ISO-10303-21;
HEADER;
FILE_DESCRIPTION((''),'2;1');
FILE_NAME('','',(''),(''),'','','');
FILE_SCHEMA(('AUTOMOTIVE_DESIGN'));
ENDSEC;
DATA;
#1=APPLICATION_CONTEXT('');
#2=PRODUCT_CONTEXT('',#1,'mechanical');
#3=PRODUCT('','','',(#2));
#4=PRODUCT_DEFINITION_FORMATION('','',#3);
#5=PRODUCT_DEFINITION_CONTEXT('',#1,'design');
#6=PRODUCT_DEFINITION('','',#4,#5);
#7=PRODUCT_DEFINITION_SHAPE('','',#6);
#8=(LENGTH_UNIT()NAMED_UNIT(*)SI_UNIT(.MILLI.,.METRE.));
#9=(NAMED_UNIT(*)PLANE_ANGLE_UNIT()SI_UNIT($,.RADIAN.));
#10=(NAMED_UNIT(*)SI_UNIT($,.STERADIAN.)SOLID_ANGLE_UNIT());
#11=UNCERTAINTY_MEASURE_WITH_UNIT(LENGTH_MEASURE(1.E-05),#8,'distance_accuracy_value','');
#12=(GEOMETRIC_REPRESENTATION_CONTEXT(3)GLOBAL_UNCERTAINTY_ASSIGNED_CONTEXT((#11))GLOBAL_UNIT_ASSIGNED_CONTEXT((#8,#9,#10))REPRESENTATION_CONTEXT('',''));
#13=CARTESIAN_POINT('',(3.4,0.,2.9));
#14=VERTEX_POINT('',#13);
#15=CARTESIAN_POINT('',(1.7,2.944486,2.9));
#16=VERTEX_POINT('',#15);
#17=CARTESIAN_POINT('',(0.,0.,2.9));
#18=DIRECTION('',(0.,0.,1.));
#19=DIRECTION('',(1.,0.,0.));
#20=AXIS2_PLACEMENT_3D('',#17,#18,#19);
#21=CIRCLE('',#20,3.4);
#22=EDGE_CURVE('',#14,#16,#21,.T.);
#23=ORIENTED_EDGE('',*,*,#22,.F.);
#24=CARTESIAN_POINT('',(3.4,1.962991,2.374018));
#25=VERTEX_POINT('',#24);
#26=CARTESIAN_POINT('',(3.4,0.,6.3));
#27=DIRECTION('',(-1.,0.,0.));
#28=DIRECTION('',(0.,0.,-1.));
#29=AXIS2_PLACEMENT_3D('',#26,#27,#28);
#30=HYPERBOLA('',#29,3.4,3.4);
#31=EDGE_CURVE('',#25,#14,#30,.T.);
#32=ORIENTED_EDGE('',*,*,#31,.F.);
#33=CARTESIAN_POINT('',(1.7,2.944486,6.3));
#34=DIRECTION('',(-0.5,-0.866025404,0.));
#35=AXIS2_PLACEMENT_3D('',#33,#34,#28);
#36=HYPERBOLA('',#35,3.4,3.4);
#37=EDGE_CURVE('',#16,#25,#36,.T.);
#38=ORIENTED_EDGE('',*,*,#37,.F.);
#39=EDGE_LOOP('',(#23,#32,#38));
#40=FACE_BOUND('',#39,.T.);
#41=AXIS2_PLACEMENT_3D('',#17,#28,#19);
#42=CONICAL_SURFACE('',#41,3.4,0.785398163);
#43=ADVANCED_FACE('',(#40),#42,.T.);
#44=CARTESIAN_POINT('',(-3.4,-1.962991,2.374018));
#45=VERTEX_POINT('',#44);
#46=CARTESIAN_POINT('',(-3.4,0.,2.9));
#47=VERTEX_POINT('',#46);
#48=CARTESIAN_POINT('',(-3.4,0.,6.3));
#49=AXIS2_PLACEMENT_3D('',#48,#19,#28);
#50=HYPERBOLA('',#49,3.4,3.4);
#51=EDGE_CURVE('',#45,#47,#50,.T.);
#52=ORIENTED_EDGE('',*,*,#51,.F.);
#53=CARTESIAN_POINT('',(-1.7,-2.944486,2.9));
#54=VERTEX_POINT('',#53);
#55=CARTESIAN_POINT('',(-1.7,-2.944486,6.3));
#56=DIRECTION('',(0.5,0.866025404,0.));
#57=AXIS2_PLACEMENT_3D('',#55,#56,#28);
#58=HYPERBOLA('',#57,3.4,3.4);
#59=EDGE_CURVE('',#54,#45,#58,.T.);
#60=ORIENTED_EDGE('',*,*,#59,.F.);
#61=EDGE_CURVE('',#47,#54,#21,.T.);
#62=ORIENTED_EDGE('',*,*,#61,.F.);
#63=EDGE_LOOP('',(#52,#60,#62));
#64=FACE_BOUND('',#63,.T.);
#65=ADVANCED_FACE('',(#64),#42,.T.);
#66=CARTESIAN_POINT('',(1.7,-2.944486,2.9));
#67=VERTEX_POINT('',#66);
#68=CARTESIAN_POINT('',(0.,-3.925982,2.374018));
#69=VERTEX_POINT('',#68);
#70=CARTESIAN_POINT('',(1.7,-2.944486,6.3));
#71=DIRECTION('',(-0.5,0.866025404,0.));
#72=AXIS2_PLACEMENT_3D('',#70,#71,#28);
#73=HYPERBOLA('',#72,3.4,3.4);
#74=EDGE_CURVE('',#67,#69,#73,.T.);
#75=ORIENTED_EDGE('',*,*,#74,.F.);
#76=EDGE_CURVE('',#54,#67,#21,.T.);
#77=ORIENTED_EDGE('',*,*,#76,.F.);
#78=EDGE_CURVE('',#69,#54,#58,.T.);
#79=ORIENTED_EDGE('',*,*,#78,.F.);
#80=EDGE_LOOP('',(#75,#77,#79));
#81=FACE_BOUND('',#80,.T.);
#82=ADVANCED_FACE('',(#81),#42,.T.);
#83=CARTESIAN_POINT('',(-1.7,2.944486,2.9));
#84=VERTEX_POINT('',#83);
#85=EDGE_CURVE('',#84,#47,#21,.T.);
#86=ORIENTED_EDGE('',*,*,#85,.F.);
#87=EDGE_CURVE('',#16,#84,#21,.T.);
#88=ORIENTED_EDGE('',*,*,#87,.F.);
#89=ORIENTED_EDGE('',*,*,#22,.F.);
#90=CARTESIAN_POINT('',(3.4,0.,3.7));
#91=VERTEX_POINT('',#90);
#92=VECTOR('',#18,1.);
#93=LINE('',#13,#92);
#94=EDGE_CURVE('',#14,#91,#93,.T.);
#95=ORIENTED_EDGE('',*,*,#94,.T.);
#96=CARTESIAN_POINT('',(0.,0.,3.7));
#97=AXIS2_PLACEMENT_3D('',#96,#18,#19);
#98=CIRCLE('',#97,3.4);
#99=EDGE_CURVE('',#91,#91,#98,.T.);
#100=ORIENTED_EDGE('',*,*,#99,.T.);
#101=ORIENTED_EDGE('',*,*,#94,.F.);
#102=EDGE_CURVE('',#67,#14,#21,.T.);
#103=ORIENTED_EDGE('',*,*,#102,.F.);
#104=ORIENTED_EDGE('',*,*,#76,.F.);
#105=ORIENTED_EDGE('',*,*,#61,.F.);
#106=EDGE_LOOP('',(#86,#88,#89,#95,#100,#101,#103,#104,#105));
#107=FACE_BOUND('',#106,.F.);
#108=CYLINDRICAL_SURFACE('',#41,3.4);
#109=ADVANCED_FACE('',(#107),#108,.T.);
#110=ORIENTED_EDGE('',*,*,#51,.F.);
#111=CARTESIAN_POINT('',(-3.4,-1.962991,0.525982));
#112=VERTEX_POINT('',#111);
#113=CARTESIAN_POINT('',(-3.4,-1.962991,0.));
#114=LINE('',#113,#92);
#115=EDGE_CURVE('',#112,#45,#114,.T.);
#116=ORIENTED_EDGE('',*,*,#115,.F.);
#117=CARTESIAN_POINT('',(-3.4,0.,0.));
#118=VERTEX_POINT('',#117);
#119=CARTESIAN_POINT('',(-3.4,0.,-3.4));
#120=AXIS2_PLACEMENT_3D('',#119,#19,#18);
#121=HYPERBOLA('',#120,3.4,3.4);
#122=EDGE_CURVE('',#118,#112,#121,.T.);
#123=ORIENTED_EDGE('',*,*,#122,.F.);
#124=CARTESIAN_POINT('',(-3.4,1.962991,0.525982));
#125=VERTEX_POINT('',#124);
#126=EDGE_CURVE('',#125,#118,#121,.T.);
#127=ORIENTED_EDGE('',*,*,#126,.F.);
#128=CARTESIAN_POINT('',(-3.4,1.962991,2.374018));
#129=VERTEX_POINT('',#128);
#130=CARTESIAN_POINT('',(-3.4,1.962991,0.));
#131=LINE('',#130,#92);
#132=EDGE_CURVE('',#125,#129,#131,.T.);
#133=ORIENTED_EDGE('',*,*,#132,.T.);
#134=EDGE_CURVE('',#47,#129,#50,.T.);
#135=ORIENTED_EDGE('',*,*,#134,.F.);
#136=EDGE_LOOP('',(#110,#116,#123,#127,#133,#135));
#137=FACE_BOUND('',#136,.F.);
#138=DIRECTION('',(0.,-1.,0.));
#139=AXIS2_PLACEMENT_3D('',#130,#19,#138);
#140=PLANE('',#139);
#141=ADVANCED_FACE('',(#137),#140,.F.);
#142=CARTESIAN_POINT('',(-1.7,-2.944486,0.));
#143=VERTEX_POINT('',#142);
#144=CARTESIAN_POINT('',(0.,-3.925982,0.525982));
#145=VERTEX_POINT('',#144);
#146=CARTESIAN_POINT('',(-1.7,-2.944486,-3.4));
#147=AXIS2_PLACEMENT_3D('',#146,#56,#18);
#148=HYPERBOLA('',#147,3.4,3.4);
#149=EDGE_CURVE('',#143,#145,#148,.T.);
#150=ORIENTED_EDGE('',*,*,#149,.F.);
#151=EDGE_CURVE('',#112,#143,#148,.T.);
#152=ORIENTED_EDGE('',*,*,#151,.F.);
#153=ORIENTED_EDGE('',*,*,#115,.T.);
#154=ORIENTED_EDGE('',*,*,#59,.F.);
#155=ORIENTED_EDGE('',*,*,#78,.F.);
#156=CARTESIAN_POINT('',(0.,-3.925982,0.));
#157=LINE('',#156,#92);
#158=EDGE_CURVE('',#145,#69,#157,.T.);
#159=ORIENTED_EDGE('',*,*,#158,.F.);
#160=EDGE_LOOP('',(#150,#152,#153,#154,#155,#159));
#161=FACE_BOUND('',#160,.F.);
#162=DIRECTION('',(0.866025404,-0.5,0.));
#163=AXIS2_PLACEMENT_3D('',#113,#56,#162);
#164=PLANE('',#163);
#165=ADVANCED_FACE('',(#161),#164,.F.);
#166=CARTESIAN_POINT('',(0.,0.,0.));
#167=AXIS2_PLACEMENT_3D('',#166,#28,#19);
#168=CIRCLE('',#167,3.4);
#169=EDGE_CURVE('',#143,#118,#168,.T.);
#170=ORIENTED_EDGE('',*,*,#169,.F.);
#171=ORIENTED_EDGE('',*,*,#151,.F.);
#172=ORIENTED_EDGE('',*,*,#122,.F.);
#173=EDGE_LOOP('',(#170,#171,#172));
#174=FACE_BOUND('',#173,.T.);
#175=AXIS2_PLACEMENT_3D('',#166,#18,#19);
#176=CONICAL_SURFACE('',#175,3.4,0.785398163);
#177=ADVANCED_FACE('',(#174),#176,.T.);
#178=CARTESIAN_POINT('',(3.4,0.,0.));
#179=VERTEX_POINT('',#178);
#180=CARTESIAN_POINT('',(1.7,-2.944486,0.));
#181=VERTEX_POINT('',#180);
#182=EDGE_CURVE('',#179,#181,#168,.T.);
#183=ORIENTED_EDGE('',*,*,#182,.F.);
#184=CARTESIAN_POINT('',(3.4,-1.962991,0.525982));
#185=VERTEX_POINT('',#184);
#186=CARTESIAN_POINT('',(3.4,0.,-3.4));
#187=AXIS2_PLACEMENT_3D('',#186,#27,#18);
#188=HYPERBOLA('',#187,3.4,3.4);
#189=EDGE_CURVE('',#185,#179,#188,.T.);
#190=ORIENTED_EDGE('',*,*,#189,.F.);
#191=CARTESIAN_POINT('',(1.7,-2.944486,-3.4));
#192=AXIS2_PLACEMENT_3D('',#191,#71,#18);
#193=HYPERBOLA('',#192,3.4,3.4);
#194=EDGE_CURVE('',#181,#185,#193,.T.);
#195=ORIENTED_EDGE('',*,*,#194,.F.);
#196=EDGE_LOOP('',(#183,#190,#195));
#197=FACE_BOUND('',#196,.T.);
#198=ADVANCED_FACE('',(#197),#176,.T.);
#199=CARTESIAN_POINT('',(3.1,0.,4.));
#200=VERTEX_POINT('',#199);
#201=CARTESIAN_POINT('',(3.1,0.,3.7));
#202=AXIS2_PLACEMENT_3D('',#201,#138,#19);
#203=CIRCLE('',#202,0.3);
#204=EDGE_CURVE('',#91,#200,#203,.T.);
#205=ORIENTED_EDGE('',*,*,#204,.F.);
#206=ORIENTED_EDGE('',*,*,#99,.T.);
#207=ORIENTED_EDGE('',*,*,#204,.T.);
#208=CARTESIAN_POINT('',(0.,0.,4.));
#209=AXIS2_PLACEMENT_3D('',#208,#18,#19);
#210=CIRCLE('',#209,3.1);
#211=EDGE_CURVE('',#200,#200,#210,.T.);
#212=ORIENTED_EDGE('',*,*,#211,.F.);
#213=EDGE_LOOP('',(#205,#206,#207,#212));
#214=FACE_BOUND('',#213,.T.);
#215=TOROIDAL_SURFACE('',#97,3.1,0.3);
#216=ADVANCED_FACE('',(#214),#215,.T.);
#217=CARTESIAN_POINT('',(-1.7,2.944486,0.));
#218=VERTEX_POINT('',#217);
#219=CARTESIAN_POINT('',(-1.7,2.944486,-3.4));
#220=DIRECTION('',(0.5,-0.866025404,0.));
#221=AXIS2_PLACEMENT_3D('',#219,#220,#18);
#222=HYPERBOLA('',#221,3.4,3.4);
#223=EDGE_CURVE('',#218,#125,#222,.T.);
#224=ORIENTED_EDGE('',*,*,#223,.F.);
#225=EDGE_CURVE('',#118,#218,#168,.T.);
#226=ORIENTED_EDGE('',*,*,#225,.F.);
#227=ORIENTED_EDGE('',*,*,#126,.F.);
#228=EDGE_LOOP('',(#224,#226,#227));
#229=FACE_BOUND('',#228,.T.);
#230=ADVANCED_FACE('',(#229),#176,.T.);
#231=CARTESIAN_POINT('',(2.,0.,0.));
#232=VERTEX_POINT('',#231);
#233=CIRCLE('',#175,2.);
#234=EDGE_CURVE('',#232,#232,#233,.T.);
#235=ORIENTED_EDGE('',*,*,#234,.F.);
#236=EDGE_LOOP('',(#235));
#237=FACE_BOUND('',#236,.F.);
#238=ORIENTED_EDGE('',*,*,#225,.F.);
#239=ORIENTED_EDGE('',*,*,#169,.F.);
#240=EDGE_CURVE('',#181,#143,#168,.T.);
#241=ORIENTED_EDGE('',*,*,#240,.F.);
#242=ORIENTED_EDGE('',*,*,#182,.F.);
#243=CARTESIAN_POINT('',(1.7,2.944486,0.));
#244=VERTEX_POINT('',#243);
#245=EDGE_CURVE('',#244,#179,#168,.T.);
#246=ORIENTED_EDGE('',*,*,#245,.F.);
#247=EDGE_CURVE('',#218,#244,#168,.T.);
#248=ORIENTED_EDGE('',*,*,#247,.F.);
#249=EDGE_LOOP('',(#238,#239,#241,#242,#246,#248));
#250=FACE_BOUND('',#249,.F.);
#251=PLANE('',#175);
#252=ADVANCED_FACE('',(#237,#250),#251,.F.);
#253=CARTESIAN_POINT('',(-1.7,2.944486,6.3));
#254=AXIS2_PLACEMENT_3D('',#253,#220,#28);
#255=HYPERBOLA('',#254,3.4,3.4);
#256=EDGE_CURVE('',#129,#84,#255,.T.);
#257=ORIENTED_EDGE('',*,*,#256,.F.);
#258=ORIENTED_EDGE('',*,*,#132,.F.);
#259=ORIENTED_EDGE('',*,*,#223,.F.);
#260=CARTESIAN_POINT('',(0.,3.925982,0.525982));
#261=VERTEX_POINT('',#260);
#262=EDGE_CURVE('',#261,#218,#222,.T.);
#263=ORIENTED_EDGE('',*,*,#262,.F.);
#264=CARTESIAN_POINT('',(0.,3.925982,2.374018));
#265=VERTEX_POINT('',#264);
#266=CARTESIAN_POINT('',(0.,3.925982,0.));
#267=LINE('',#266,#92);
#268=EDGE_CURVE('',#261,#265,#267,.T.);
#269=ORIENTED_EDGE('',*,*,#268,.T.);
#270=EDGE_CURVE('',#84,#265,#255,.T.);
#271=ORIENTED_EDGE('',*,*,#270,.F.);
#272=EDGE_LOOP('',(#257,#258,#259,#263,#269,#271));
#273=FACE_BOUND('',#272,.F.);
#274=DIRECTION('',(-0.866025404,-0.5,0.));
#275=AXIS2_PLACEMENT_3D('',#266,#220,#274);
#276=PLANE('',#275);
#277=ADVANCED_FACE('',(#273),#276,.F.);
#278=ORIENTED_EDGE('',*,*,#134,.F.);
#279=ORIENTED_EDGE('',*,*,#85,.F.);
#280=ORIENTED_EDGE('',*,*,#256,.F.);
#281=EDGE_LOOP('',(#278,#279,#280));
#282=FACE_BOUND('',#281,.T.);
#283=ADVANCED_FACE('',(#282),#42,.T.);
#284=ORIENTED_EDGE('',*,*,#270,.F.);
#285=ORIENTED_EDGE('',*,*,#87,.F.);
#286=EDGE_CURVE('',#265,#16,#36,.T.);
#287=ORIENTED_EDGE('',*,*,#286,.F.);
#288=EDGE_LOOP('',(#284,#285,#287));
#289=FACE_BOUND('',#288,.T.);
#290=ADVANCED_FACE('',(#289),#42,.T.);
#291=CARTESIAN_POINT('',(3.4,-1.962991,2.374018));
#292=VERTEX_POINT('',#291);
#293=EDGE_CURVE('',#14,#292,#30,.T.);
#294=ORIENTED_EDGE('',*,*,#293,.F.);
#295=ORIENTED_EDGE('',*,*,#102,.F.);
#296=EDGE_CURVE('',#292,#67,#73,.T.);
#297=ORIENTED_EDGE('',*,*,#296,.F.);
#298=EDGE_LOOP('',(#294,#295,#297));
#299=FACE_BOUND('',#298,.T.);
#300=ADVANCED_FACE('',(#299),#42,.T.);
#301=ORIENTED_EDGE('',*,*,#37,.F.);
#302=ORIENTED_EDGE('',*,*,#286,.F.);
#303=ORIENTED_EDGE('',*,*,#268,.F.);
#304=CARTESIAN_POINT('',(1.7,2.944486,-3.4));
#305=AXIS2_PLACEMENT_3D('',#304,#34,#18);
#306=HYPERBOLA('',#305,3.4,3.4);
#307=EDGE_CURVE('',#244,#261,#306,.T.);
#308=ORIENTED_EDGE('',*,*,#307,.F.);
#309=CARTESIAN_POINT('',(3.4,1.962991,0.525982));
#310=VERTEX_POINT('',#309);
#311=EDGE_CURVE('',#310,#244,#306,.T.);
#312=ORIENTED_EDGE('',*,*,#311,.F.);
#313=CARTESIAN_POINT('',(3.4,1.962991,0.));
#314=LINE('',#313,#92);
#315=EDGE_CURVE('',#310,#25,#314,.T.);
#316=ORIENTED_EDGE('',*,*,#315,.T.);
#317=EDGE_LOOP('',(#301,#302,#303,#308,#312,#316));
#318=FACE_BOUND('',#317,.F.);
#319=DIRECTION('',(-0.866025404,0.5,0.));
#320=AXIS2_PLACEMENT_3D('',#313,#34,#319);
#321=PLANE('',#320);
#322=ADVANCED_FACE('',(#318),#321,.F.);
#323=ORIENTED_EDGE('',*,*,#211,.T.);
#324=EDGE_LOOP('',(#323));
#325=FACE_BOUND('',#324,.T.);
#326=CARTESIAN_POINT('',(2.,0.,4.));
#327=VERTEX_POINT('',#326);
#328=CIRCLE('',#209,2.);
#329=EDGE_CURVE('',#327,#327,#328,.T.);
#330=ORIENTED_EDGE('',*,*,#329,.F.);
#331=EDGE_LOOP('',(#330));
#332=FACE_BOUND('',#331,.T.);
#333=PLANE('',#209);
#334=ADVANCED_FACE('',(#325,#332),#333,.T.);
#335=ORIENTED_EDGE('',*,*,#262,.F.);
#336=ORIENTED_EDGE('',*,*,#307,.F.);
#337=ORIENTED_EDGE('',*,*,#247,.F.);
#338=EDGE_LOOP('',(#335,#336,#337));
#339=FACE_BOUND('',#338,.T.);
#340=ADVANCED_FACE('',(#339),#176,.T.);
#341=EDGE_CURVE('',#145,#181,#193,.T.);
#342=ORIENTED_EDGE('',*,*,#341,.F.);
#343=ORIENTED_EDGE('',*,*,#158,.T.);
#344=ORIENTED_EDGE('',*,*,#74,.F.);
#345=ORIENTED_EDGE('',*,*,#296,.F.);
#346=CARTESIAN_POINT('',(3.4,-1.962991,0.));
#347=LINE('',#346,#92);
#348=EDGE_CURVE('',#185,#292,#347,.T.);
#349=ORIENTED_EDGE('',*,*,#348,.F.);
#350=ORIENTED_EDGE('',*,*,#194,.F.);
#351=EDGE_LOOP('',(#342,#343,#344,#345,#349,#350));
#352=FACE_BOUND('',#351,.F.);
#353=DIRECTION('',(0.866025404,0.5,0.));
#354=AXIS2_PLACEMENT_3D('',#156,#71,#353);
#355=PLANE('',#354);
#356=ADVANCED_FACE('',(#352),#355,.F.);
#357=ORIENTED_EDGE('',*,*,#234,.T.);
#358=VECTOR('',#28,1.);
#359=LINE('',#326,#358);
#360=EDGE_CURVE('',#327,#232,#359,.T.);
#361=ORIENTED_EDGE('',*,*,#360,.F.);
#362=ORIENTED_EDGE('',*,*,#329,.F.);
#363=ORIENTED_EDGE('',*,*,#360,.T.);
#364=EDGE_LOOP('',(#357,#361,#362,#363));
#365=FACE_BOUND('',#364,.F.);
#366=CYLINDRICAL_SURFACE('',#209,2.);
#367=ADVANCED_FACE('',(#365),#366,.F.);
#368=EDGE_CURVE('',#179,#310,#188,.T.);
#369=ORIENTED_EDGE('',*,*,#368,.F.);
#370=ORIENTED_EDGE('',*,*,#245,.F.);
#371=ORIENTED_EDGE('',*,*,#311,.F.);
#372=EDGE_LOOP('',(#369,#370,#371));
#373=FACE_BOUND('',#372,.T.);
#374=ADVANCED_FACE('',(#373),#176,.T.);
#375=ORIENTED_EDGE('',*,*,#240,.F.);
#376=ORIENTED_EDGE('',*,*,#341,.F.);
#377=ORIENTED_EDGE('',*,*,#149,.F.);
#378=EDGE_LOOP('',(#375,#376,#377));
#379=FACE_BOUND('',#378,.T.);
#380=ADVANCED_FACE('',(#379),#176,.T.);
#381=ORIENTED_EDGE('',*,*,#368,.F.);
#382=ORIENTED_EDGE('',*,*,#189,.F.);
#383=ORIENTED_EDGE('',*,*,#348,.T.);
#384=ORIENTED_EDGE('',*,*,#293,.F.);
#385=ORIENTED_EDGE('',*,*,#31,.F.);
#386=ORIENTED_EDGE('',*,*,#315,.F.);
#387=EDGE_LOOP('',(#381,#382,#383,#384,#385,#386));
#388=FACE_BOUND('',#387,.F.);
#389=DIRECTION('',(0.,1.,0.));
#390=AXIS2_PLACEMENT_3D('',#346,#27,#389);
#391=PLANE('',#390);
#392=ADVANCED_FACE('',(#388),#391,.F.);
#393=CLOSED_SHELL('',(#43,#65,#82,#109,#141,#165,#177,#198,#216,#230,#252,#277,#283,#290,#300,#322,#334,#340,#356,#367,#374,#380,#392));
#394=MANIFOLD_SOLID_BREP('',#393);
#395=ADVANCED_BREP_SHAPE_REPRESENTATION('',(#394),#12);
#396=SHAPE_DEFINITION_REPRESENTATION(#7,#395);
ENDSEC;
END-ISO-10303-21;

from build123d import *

# Parameters (mm, degrees)
EXTRUDE_1_DEPTH      = 2.9
SKETCH_2_R           = 3.4
EXTRUDE_2_DEPTH      = 1.1
SKETCH_3_R           = 2
CUT_EXTRUDE_1_DEPTH  = 7.555404895
SKETCH_2_2_OUTSIDE_W = 13.226
SKETCH_2_2_OUTSIDE_H = 14.278
SKETCH_2_2_OUTSIDE_R = 3.4
CUT_EXTRUDE_2_DEPTH  = 1.1
CUT_EXTRUDE_2_DRAFT  = -45
SKETCH_4_OUTSIDE_W   = 13.226
SKETCH_4_OUTSIDE_H   = 14.278
SKETCH_4_OUTSIDE_R   = 3.4
CUT_EXTRUDE_3_DEPTH  = 1.1
CUT_EXTRUDE_3_DRAFT  = -45
FILLET_1_R           = 0.3


with BuildPart() as part:
    # 草图1 → 凸台-拉伸1 (new body)
    with BuildSketch(Plane.XY):
        Polygon((0, 3.92598183), (-3.4, 1.962990915), (-3.4, -1.962990915), (0, -3.92598183), (3.4, -1.962990915), (3.4, 1.962990915), align=None)
    extrude(amount=EXTRUDE_1_DEPTH)

    # 草图2 → 凸台-拉伸2 (add)
    with BuildSketch(Plane.XY.offset(2.9)):
        Circle(SKETCH_2_R)
    extrude(amount=EXTRUDE_2_DEPTH)

    # 草图3 → 切除-拉伸1 (cut, through all)
    with BuildSketch(Plane.XY.offset(4)):
        Circle(SKETCH_3_R)
    extrude(amount=-CUT_EXTRUDE_1_DEPTH, mode=Mode.SUBTRACT)


with BuildPart() as cut_extrude_2_tool:
    # 草图2<2> outside → 切除-拉伸2 (with draft: the straight prism first)
    with BuildSketch(Plane.XY.offset(2.9)):
        Rectangle(SKETCH_2_2_OUTSIDE_W, SKETCH_2_2_OUTSIDE_H)
        Circle(SKETCH_2_2_OUTSIDE_R, mode=Mode.SUBTRACT)
    extrude(amount=-CUT_EXTRUDE_2_DEPTH)
    # 切除-拉伸2: the draft: its side faces are tilted about the plane it starts from
    cut_extrude_2_sides = [cut_extrude_2_tool.faces().sort_by_distance(p)[0] for p in [
        (0, -7.139, 2.35),
        (6.613, 0, 2.35),
        (0, 7.139, 2.35),
        (-6.613, 0, 2.35),
        (-3.4, 0, 2.35),
    ]]
    draft(cut_extrude_2_sides, Plane.XY.offset(2.9), CUT_EXTRUDE_2_DRAFT)


with BuildPart() as part_1:
    add(part.part)

    # 切除-拉伸2: cut by cut_extrude_2_tool
    add(cut_extrude_2_tool.part, mode=Mode.SUBTRACT)


with BuildPart() as cut_extrude_3_tool:
    # 草图4 outside → 切除-拉伸3 (with draft: the straight prism first)
    with BuildSketch(Plane(origin=(0, 0, 0), x_dir=(-1, 0, 0), z_dir=(0, 0, -1))):
        Rectangle(SKETCH_4_OUTSIDE_W, SKETCH_4_OUTSIDE_H)
        Circle(SKETCH_4_OUTSIDE_R, mode=Mode.SUBTRACT)
    extrude(amount=-CUT_EXTRUDE_3_DEPTH)
    # 切除-拉伸3: the draft: its side faces are tilted about the plane it starts from
    cut_extrude_3_sides = [cut_extrude_3_tool.faces().sort_by_distance(p)[0] for p in [
        (0, -7.139, 0.55),
        (-6.613, 0, 0.55),
        (0, 7.139, 0.55),
        (6.613, 0, 0.55),
        (3.4, 0, 0.55),
    ]]
    draft(cut_extrude_3_sides, Plane(origin=(0, 0, 0), x_dir=(-1, 0, 0), z_dir=(0, 0, -1)), CUT_EXTRUDE_3_DRAFT)


with BuildPart() as part_2:
    add(part_1.part)

    # 切除-拉伸3: cut by cut_extrude_3_tool
    add(cut_extrude_3_tool.part, mode=Mode.SUBTRACT)

    # 圆角1
    fillet_1_edges = [part_2.edges().sort_by_distance(p)[0] for p in [
        (-3.4, 0, 4),
    ]]
    fillet(fillet_1_edges, radius=FILLET_1_R)


solid = part_2.part
